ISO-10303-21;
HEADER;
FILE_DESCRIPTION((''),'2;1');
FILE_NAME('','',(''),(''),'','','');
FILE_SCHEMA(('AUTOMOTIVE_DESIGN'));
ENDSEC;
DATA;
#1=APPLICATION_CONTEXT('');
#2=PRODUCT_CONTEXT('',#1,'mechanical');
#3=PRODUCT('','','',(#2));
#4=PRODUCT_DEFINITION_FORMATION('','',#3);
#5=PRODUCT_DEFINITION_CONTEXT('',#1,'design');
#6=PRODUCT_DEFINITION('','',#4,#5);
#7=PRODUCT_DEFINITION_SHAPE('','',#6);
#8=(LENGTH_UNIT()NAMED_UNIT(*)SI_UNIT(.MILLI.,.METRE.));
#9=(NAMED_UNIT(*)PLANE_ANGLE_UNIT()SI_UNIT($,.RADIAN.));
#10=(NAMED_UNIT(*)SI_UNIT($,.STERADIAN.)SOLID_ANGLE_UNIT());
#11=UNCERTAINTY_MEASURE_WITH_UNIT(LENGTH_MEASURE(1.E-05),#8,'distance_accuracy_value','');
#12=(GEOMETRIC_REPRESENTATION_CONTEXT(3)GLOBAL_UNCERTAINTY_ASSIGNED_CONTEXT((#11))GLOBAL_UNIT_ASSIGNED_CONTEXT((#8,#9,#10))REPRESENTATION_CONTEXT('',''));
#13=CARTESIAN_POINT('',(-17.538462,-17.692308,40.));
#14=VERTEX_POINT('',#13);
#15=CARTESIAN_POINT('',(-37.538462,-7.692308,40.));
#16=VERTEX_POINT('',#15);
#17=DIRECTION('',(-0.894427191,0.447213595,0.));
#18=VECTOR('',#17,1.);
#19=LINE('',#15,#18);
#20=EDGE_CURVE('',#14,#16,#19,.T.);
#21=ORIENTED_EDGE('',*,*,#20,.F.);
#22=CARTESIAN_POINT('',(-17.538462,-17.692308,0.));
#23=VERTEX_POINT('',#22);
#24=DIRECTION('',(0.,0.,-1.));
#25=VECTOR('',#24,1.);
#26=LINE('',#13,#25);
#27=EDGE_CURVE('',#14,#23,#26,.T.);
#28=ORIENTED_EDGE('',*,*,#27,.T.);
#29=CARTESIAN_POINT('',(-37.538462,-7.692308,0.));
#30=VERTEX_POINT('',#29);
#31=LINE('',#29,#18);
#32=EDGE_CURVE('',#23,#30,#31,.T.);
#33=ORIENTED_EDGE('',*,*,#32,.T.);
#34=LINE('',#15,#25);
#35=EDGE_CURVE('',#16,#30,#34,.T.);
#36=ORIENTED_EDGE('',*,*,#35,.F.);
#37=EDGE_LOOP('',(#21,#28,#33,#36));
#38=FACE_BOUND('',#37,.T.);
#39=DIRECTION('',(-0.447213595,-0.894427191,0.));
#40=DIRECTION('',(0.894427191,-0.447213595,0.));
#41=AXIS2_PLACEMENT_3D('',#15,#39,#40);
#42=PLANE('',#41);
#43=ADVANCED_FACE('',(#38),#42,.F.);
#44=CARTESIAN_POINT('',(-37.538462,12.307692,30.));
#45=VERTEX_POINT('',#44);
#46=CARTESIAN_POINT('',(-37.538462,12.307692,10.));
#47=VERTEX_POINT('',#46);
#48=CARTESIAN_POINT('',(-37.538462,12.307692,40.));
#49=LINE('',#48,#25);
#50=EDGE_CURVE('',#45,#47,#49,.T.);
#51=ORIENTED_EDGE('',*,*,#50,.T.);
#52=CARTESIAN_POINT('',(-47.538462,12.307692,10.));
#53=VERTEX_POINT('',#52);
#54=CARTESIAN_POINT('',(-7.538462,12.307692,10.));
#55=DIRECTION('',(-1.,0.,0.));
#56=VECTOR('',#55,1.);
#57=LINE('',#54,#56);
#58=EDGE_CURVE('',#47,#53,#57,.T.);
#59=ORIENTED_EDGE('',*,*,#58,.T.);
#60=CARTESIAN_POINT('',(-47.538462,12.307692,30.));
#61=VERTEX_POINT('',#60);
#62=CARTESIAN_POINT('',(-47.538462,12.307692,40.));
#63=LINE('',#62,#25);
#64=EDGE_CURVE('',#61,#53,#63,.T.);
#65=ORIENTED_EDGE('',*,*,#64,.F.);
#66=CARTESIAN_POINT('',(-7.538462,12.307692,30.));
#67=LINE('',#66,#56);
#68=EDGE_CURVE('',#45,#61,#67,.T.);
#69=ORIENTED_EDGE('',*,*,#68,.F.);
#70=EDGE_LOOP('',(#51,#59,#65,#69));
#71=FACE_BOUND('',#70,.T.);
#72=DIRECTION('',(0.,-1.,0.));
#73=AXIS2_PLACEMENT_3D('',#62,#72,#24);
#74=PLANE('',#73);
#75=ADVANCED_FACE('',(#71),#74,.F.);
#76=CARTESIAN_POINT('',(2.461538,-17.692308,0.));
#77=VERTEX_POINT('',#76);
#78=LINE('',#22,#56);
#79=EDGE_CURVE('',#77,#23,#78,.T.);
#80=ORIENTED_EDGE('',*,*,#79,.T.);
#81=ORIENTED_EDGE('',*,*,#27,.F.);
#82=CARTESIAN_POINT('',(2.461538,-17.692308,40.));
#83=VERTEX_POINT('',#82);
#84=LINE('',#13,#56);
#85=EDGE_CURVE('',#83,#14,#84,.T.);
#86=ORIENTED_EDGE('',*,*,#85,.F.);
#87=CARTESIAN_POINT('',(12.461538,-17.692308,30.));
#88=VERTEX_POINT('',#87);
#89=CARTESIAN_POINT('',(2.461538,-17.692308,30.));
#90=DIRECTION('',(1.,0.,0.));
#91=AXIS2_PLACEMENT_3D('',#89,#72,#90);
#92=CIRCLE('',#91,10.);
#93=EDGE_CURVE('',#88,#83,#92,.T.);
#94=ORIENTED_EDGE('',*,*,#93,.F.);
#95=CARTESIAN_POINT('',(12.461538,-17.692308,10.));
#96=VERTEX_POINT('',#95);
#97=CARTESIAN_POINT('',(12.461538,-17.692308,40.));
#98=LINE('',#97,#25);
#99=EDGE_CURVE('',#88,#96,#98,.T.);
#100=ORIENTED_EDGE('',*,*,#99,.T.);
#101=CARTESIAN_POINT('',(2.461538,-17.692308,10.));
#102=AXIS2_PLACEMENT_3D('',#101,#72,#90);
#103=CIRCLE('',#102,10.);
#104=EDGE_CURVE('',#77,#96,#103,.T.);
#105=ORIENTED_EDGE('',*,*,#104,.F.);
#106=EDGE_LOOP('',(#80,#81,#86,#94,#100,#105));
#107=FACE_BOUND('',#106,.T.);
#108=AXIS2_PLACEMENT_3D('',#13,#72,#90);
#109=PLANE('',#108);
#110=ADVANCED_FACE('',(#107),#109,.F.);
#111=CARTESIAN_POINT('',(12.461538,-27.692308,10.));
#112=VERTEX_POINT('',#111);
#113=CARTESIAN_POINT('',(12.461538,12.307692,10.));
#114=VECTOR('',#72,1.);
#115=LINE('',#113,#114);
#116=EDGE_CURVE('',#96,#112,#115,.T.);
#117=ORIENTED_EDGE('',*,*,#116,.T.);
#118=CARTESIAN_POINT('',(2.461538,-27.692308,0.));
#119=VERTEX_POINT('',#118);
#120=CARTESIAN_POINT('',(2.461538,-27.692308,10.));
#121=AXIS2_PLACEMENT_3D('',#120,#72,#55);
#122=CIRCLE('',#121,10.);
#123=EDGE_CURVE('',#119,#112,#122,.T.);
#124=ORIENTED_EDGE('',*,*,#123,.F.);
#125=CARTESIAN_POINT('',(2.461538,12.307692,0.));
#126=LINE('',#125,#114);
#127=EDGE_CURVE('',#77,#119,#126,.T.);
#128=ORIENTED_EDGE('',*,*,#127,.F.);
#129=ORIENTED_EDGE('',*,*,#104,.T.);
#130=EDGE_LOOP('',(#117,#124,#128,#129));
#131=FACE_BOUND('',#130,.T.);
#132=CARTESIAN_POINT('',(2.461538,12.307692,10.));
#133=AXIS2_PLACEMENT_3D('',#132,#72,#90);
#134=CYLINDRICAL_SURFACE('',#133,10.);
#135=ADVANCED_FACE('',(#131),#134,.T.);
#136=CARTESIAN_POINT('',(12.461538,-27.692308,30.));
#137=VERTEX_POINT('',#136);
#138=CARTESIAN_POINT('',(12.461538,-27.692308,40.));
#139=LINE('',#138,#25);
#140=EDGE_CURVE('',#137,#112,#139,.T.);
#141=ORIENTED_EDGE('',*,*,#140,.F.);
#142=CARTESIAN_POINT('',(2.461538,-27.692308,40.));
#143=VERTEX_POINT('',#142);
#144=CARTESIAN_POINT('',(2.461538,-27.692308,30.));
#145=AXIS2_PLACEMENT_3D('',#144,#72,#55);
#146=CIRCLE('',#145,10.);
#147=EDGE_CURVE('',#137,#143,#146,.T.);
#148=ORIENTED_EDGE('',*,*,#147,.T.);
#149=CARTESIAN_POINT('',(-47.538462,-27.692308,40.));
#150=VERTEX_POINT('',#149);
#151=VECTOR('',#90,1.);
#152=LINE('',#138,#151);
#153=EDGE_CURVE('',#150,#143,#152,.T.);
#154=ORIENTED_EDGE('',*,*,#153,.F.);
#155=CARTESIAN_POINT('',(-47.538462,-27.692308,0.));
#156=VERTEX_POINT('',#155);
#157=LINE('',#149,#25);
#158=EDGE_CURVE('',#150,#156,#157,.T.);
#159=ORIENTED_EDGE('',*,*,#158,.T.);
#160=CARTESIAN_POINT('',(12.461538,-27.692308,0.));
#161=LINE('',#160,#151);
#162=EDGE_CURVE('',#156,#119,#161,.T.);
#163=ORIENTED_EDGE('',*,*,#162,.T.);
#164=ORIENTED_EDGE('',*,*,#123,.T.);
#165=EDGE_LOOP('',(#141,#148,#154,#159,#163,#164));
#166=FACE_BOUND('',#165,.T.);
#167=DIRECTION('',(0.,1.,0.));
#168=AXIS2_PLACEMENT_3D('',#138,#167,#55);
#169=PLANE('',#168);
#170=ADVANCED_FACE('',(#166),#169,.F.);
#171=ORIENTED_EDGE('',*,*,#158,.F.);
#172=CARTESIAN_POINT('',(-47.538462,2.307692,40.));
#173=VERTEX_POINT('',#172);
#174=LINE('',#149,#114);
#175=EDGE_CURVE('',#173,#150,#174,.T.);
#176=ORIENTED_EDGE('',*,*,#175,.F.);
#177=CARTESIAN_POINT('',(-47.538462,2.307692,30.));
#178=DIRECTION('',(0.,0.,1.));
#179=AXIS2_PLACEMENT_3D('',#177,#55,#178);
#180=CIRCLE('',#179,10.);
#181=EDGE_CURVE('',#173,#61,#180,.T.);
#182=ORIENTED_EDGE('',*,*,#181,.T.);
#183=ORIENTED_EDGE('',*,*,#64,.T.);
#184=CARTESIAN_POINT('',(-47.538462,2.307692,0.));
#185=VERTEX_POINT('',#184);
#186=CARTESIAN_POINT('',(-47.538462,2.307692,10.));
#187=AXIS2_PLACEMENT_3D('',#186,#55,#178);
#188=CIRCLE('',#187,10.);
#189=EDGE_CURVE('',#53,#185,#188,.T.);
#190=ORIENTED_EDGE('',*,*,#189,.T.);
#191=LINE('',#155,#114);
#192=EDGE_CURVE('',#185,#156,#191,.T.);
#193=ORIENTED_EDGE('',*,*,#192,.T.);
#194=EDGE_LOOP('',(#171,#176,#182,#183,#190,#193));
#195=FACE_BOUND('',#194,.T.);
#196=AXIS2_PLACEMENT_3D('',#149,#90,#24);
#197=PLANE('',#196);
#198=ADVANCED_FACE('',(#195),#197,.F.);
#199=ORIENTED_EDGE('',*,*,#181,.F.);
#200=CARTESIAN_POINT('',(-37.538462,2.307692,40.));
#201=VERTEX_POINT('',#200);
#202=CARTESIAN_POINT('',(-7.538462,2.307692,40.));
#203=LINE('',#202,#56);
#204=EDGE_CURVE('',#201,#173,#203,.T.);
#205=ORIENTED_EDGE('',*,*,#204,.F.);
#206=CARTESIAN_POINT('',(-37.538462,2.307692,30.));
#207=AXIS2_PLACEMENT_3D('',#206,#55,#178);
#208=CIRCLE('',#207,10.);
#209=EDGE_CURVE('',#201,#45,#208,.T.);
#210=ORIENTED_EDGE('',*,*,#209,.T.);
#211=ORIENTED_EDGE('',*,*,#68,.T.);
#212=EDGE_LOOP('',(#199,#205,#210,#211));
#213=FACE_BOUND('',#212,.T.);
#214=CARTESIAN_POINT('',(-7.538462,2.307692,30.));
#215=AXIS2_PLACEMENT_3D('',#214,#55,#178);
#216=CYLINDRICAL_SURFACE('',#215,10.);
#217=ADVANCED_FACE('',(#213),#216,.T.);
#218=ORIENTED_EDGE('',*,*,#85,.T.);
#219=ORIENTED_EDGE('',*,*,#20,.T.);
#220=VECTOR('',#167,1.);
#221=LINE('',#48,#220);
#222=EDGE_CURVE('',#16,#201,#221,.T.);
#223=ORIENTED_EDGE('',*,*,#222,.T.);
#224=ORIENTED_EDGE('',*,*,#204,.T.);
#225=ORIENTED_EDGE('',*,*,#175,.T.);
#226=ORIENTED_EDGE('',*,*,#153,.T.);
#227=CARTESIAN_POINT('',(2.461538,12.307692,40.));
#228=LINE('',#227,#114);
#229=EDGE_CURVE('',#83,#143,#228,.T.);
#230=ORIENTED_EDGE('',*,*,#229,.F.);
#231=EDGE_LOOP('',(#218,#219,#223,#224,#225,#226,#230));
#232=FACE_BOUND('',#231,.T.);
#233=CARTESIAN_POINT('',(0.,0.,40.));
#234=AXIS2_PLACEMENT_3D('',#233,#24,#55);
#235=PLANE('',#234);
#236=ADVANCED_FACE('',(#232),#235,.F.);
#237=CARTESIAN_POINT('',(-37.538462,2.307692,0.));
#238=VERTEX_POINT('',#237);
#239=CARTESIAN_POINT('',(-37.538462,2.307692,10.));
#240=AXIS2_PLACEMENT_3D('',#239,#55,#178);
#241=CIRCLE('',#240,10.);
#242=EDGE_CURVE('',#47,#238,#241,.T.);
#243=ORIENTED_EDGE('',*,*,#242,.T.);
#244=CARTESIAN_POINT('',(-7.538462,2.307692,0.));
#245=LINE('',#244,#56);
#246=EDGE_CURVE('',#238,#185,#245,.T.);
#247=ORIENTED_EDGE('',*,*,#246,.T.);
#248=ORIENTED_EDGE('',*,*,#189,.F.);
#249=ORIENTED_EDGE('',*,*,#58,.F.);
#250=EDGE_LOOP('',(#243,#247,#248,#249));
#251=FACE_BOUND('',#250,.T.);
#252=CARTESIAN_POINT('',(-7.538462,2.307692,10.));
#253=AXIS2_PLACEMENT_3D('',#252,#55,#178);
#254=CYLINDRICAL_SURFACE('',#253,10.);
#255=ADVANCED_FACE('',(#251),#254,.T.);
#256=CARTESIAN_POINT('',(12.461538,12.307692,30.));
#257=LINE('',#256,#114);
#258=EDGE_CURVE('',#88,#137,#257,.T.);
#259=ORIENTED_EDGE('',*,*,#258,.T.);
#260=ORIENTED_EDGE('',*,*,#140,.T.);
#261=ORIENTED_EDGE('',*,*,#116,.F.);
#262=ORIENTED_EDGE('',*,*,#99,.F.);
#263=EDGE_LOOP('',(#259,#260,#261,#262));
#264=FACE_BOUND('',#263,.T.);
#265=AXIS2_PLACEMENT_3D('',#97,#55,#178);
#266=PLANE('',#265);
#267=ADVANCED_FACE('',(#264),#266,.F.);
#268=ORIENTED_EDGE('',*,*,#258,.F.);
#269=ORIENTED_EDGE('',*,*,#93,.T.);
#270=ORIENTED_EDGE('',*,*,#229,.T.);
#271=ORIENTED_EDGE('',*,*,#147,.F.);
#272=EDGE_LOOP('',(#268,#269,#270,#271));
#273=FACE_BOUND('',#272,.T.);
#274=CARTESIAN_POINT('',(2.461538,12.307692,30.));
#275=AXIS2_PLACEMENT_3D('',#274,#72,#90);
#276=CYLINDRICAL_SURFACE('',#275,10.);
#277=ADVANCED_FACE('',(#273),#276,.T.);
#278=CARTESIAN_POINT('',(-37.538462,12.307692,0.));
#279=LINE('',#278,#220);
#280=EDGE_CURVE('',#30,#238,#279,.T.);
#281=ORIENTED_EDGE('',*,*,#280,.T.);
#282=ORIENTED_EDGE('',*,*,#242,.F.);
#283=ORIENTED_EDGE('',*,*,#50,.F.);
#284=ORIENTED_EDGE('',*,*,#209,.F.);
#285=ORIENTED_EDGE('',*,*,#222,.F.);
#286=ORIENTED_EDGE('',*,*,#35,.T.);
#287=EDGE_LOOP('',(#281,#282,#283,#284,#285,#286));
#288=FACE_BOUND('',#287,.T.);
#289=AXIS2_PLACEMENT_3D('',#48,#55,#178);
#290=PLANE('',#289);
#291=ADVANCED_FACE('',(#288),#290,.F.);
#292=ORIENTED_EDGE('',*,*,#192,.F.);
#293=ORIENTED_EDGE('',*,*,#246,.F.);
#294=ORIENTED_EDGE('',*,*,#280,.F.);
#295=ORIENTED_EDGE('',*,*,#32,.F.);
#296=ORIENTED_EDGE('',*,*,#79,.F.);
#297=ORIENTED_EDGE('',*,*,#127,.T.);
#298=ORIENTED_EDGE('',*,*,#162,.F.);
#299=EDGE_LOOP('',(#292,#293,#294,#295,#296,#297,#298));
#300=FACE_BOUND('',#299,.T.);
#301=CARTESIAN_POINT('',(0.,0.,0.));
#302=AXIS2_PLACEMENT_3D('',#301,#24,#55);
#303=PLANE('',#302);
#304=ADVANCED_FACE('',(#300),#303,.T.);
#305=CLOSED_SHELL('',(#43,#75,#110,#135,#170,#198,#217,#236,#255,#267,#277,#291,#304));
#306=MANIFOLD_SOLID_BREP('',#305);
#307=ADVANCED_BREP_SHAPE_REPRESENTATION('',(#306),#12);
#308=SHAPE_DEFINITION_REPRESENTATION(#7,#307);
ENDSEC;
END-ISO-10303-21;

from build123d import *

# Parameters (mm, degrees)
BOSS_EXTRUDE1_DEPTH = 40
SKETCH2_OUTSIDE_W   = 58.492
SKETCH2_OUTSIDE_H   = 58.492
CUT_EXTRUDE1_DEPTH  = 40
SKETCH3_OUTSIDE_W   = 78.492
SKETCH3_OUTSIDE_H   = 58.492
CUT_EXTRUDE2_DEPTH  = 40


with BuildPart() as part:
    # Sketch1 → Boss-Extrude1 (new body)
    with BuildSketch(Plane.XY):
        Polygon((-47.538461538, 12.307692308), (-37.538461538, 12.307692308), (-37.538461538, -7.692307692), (-17.538461538, -17.692307692), (12.461538462, -17.692307692), (12.461538462, -27.692307692), (-47.538461538, -27.692307692), align=None)
    extrude(amount=BOSS_EXTRUDE1_DEPTH)

    # Sketch2 outside → Cut-Extrude1 (cut)
    with BuildSketch(Plane.ZY.offset(47.538461538)):
        with Locations((20, -7.692)):
            Rectangle(SKETCH2_OUTSIDE_W, SKETCH2_OUTSIDE_H)
        with BuildLine():
            Line((0, 2.307692308), (0, -27.692307692))
            Line((0, -27.692307692), (40, -27.692307692))
            Line((40, -27.692307692), (40, 2.307692308))
            ThreePointArc((40, 2.307692308), (37.071067812, 9.37876012), (30, 12.307692308))
            Line((30, 12.307692308), (10, 12.307692308))
            ThreePointArc((10, 12.307692308), (2.928932188, 9.37876012), (0, 2.307692308))
        make_face(mode=Mode.SUBTRACT)
    extrude(amount=-CUT_EXTRUDE1_DEPTH, mode=Mode.SUBTRACT)

    # Sketch3 outside → Cut-Extrude2 (cut)
    with BuildSketch(Plane.XZ.offset(27.692307692)):
        with Locations((-17.538, 20)):
            Rectangle(SKETCH3_OUTSIDE_W, SKETCH3_OUTSIDE_H)
        with BuildLine():
            Line((-47.538461538, 40), (2.461538462, 40))
            ThreePointArc((2.461538462, 40), (9.532606273, 37.071067812), (12.461538462, 30))
            Line((12.461538462, 30), (12.461538462, 10))
            ThreePointArc((12.461538462, 10), (9.532606273, 2.928932188), (2.461538462, 0))
            Line((2.461538462, 0), (-47.538461538, 0))
            Line((-47.538461538, 0), (-47.538461538, 40))
        make_face(mode=Mode.SUBTRACT)
    extrude(amount=-CUT_EXTRUDE2_DEPTH, mode=Mode.SUBTRACT)


solid = part.part
